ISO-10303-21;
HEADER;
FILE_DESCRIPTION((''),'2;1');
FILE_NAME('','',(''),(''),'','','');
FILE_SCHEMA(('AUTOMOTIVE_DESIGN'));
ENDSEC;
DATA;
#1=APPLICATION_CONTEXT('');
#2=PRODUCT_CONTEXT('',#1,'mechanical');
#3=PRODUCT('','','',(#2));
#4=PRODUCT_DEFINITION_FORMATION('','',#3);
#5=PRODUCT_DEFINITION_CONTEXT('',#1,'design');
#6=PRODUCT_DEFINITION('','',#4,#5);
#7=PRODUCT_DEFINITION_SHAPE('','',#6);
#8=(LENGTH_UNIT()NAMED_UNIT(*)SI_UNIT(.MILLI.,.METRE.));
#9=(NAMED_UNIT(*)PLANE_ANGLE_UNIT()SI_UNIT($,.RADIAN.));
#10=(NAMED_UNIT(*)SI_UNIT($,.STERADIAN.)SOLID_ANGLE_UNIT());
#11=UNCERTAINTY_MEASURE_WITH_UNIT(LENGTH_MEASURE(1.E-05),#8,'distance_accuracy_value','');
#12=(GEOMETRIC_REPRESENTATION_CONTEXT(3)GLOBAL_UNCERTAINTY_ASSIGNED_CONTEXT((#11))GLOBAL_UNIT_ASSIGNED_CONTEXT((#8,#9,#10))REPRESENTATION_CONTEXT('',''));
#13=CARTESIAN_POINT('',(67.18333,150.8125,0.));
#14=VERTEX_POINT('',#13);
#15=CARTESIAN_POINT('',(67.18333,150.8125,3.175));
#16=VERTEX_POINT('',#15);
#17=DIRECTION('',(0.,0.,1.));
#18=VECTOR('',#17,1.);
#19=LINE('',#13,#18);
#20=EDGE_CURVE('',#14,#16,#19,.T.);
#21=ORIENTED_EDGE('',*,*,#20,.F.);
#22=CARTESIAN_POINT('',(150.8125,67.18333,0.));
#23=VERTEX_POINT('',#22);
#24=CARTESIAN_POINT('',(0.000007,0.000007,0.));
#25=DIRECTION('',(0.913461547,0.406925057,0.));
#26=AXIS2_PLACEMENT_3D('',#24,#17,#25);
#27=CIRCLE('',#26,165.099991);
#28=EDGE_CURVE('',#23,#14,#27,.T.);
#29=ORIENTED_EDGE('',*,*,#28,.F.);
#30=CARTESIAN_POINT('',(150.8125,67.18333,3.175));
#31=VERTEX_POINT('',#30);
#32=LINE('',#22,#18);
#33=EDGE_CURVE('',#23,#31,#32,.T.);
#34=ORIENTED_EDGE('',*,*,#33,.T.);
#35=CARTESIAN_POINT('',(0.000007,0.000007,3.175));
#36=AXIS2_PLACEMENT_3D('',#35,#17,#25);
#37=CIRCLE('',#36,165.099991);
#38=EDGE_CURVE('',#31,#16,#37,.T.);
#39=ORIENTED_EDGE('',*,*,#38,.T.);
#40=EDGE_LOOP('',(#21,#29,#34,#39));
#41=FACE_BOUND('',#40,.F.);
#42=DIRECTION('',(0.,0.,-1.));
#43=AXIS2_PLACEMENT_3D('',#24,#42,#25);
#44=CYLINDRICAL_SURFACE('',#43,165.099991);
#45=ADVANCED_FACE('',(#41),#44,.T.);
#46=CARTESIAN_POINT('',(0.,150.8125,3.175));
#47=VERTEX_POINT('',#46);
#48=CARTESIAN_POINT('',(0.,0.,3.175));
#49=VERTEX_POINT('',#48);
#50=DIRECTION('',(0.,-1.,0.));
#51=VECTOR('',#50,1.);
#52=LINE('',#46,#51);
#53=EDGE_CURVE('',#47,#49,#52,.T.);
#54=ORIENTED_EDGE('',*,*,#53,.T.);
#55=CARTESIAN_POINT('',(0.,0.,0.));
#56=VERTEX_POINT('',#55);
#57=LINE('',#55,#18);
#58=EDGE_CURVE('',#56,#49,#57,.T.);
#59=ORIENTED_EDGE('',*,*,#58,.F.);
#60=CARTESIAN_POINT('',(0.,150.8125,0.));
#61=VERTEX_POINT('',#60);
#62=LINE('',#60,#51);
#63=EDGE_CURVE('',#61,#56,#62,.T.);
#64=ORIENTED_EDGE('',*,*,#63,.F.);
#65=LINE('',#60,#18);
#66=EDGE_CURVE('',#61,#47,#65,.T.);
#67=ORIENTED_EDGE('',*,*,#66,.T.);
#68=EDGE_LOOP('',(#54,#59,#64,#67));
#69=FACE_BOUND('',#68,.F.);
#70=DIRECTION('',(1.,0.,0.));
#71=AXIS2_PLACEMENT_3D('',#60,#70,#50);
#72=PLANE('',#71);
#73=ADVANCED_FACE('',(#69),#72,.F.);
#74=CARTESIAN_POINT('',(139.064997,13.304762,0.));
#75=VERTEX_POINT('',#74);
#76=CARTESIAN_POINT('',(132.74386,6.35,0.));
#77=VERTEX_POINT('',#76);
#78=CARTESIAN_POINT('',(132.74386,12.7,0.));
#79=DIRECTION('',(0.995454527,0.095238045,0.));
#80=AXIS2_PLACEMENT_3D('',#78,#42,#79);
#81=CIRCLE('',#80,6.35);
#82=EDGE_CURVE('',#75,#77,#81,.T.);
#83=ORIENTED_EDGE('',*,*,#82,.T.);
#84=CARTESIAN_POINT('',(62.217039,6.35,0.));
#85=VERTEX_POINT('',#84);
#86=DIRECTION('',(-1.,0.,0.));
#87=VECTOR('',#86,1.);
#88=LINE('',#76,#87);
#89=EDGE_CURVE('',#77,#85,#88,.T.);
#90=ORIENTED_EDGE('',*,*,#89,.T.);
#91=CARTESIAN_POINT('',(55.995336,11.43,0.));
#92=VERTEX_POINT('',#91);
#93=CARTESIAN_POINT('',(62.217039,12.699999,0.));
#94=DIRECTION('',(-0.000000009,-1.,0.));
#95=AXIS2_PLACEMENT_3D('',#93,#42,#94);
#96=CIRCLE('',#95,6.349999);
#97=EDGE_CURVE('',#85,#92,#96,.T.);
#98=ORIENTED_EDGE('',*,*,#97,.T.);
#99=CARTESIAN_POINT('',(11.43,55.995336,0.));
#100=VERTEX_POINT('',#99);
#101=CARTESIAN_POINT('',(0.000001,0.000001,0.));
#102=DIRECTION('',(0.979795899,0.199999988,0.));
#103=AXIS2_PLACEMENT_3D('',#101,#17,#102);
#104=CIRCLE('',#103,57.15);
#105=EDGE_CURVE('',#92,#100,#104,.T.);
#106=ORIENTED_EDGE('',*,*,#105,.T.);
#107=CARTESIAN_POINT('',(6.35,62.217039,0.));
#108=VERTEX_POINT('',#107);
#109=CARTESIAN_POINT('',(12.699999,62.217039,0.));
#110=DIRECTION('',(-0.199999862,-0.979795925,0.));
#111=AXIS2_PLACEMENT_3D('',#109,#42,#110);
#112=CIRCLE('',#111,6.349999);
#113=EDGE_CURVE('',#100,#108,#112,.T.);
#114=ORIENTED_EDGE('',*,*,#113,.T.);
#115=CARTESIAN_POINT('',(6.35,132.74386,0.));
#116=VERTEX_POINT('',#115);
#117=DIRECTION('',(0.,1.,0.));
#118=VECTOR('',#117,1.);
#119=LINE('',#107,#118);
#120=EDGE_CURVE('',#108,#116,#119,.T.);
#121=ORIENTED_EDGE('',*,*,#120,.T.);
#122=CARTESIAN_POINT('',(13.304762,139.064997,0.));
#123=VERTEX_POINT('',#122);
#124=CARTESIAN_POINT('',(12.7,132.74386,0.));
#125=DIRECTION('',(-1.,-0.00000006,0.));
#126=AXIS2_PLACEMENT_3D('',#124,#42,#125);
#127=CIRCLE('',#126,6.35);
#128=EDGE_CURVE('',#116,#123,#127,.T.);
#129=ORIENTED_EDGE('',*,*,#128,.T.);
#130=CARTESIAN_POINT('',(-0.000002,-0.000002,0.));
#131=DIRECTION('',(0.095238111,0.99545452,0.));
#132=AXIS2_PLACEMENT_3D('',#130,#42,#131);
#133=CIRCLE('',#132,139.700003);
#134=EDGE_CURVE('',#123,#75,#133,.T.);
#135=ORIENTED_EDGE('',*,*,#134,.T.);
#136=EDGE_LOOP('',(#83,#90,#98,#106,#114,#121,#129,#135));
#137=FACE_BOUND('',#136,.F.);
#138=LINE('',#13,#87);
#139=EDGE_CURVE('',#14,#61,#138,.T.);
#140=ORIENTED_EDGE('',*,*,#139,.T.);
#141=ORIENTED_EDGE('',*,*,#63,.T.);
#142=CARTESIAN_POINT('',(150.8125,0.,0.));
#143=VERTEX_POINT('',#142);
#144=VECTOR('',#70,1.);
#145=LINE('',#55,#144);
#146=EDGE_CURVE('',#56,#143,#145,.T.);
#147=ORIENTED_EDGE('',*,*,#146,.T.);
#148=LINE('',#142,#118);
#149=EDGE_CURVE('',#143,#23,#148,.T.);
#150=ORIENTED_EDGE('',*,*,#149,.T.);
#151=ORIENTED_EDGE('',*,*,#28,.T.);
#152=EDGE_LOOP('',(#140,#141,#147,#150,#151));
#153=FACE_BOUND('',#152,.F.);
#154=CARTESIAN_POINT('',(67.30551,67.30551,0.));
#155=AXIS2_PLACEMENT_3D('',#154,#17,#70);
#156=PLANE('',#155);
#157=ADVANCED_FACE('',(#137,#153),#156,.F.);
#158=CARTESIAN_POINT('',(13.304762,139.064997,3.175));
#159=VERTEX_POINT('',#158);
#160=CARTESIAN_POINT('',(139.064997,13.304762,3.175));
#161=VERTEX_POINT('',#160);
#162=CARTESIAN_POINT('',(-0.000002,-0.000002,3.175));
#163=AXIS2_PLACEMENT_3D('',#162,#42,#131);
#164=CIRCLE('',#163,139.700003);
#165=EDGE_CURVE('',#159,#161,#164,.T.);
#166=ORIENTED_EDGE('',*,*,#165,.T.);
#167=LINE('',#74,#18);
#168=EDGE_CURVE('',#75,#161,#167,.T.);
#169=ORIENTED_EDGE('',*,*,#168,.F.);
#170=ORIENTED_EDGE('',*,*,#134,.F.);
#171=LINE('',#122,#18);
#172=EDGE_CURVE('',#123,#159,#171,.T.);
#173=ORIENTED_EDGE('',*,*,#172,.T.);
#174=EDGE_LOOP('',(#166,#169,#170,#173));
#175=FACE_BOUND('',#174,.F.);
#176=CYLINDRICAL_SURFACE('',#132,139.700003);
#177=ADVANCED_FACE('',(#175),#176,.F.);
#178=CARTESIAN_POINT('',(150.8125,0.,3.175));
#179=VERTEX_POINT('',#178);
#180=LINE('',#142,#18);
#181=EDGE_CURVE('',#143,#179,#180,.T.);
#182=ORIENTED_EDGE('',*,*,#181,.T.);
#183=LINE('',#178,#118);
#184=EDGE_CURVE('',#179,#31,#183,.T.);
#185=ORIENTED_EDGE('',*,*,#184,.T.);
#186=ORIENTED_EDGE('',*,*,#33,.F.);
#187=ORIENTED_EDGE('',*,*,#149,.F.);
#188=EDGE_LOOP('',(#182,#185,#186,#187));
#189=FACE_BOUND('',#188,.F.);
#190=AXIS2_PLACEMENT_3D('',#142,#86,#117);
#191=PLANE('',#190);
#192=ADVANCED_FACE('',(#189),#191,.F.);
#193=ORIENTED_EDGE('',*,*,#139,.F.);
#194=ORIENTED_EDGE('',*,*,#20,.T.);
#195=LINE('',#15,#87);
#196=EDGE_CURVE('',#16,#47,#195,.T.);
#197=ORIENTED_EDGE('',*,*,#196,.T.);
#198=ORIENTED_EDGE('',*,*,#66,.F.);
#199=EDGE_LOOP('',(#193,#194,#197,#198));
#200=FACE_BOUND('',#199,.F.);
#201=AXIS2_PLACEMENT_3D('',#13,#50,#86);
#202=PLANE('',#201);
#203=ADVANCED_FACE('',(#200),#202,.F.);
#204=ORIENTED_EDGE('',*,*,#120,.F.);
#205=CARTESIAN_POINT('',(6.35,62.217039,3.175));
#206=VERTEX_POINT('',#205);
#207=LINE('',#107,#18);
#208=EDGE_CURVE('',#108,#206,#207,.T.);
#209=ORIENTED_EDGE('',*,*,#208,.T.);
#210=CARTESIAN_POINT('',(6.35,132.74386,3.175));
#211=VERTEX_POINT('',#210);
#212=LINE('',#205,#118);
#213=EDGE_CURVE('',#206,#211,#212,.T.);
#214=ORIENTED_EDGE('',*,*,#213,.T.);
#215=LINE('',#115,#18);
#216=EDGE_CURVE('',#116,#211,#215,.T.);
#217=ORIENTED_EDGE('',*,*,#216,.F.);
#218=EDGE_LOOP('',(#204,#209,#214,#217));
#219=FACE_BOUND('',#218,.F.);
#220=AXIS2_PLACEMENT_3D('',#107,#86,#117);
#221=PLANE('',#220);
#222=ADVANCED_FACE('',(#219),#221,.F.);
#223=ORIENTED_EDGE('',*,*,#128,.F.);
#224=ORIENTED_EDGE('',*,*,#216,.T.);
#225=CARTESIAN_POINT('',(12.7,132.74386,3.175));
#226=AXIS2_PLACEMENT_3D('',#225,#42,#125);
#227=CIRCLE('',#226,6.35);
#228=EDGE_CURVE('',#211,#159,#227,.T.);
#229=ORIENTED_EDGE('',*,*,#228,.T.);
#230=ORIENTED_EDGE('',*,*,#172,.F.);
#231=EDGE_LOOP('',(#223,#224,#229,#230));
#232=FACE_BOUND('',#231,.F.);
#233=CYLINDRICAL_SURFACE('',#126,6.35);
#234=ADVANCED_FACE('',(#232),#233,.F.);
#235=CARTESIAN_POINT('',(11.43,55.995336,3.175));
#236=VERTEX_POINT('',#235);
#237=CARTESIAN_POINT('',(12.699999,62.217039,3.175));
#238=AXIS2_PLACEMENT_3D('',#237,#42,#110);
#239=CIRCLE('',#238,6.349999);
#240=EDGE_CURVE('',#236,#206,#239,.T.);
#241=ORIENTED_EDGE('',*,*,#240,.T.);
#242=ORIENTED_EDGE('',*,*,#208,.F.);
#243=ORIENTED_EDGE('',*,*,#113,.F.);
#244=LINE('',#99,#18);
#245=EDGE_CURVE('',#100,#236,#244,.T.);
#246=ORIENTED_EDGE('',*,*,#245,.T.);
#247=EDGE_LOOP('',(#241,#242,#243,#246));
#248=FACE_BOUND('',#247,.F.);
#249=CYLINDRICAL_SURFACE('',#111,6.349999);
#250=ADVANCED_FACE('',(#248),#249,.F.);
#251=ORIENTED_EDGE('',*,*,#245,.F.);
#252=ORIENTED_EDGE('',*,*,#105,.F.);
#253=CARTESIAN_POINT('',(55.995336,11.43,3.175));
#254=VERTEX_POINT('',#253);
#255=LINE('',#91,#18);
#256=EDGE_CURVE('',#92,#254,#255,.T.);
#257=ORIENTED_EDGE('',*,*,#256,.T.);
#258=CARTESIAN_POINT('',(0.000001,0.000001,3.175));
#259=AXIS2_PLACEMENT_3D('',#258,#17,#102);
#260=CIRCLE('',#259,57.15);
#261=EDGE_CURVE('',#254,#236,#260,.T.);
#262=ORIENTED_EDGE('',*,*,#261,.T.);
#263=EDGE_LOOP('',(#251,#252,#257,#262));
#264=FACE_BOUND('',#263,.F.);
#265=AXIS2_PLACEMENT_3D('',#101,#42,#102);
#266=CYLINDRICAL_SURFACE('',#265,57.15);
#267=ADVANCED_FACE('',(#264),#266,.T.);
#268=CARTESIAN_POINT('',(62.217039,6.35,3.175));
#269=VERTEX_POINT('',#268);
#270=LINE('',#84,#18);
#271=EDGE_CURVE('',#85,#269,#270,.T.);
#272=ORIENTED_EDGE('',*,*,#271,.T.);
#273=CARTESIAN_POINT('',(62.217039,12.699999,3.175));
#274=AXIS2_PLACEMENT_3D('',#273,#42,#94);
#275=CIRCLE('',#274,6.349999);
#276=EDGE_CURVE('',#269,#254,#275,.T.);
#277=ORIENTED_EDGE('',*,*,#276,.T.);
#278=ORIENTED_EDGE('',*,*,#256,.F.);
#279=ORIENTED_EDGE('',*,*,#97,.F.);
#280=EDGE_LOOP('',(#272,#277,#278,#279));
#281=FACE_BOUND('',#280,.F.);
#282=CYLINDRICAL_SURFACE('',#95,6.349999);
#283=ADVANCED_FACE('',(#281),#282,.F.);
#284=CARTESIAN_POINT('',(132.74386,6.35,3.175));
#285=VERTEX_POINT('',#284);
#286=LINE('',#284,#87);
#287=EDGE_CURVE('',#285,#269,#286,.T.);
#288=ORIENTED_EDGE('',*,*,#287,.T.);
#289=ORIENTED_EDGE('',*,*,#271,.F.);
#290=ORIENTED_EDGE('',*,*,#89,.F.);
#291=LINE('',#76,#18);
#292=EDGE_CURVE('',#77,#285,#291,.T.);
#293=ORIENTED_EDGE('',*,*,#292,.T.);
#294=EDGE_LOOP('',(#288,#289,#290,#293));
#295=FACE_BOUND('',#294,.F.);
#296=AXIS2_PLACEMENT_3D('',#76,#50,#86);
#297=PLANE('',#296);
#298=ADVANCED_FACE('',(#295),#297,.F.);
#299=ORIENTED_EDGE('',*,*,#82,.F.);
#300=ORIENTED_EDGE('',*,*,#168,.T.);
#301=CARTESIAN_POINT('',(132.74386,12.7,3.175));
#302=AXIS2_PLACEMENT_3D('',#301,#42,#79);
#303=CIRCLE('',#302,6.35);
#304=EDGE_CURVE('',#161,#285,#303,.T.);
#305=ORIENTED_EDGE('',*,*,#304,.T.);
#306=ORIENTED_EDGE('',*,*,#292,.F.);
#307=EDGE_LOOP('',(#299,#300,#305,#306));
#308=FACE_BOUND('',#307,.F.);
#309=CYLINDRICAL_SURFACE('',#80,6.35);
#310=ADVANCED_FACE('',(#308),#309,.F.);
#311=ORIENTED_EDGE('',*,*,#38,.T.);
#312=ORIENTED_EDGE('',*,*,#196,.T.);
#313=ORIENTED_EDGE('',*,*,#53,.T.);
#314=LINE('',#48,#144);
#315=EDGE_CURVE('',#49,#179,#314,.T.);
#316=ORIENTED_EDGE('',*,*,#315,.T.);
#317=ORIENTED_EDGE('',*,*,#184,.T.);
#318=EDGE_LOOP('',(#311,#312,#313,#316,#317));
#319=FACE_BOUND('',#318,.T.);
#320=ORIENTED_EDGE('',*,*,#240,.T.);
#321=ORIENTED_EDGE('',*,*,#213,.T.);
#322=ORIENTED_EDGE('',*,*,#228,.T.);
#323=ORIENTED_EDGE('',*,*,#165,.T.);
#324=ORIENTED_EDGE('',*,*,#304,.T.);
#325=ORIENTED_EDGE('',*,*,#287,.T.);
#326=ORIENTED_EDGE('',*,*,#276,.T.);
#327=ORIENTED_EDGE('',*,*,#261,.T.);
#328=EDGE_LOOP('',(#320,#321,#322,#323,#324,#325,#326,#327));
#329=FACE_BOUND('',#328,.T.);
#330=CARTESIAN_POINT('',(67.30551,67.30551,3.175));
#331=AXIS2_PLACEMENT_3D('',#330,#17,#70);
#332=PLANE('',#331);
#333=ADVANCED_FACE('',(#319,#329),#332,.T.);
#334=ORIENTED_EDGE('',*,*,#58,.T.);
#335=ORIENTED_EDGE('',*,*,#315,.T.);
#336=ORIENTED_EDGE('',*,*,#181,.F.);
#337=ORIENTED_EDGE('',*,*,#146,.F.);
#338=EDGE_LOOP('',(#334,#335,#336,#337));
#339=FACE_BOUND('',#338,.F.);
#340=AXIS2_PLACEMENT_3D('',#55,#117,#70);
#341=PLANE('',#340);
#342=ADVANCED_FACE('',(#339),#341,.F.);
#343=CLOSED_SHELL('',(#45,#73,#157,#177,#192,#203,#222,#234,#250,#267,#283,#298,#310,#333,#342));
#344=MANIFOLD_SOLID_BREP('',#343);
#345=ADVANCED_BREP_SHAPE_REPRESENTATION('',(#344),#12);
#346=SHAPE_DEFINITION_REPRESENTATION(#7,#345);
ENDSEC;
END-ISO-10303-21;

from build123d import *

# Parameters (mm, degrees)
F1_DEPTH = 3.175


with BuildPart() as f1:
    # F0 (on Top) → F1 (new body)
    with BuildSketch(Plane.XY):
        with BuildLine():
            Line((0, 150.8125), (0, 0))
            Line((0, 0), (150.8125, 0))
            Line((150.8125, 0), (150.8125, 67.18333))
            ThreePointArc((150.8125, 67.18333), (116.74333, 116.74333), (67.18333, 150.8125))
            Line((67.18333, 150.8125), (0, 150.8125))
        make_face()
        with BuildLine():
            ThreePointArc((11.43, 55.995336), (7.781311, 58.200947), (6.35, 62.217039))
            Line((6.35, 62.217039), (6.35, 132.74386))
            ThreePointArc((6.35, 132.74386), (8.429036, 137.442942), (13.304762, 139.064997))
            ThreePointArc((13.304762, 139.064997), (98.782817, 98.782817), (139.064997, 13.304762))
            ThreePointArc((139.064997, 13.304762), (137.442942, 8.429036), (132.74386, 6.35))
            Line((132.74386, 6.35), (62.217039, 6.35))
            ThreePointArc((62.217039, 6.35), (58.200947, 7.781311), (55.995336, 11.43))
            ThreePointArc((55.995336, 11.43), (40.411153, 40.411153), (11.43, 55.995336))
        make_face(mode=Mode.SUBTRACT)
    extrude(amount=F1_DEPTH)


solid = f1.part
